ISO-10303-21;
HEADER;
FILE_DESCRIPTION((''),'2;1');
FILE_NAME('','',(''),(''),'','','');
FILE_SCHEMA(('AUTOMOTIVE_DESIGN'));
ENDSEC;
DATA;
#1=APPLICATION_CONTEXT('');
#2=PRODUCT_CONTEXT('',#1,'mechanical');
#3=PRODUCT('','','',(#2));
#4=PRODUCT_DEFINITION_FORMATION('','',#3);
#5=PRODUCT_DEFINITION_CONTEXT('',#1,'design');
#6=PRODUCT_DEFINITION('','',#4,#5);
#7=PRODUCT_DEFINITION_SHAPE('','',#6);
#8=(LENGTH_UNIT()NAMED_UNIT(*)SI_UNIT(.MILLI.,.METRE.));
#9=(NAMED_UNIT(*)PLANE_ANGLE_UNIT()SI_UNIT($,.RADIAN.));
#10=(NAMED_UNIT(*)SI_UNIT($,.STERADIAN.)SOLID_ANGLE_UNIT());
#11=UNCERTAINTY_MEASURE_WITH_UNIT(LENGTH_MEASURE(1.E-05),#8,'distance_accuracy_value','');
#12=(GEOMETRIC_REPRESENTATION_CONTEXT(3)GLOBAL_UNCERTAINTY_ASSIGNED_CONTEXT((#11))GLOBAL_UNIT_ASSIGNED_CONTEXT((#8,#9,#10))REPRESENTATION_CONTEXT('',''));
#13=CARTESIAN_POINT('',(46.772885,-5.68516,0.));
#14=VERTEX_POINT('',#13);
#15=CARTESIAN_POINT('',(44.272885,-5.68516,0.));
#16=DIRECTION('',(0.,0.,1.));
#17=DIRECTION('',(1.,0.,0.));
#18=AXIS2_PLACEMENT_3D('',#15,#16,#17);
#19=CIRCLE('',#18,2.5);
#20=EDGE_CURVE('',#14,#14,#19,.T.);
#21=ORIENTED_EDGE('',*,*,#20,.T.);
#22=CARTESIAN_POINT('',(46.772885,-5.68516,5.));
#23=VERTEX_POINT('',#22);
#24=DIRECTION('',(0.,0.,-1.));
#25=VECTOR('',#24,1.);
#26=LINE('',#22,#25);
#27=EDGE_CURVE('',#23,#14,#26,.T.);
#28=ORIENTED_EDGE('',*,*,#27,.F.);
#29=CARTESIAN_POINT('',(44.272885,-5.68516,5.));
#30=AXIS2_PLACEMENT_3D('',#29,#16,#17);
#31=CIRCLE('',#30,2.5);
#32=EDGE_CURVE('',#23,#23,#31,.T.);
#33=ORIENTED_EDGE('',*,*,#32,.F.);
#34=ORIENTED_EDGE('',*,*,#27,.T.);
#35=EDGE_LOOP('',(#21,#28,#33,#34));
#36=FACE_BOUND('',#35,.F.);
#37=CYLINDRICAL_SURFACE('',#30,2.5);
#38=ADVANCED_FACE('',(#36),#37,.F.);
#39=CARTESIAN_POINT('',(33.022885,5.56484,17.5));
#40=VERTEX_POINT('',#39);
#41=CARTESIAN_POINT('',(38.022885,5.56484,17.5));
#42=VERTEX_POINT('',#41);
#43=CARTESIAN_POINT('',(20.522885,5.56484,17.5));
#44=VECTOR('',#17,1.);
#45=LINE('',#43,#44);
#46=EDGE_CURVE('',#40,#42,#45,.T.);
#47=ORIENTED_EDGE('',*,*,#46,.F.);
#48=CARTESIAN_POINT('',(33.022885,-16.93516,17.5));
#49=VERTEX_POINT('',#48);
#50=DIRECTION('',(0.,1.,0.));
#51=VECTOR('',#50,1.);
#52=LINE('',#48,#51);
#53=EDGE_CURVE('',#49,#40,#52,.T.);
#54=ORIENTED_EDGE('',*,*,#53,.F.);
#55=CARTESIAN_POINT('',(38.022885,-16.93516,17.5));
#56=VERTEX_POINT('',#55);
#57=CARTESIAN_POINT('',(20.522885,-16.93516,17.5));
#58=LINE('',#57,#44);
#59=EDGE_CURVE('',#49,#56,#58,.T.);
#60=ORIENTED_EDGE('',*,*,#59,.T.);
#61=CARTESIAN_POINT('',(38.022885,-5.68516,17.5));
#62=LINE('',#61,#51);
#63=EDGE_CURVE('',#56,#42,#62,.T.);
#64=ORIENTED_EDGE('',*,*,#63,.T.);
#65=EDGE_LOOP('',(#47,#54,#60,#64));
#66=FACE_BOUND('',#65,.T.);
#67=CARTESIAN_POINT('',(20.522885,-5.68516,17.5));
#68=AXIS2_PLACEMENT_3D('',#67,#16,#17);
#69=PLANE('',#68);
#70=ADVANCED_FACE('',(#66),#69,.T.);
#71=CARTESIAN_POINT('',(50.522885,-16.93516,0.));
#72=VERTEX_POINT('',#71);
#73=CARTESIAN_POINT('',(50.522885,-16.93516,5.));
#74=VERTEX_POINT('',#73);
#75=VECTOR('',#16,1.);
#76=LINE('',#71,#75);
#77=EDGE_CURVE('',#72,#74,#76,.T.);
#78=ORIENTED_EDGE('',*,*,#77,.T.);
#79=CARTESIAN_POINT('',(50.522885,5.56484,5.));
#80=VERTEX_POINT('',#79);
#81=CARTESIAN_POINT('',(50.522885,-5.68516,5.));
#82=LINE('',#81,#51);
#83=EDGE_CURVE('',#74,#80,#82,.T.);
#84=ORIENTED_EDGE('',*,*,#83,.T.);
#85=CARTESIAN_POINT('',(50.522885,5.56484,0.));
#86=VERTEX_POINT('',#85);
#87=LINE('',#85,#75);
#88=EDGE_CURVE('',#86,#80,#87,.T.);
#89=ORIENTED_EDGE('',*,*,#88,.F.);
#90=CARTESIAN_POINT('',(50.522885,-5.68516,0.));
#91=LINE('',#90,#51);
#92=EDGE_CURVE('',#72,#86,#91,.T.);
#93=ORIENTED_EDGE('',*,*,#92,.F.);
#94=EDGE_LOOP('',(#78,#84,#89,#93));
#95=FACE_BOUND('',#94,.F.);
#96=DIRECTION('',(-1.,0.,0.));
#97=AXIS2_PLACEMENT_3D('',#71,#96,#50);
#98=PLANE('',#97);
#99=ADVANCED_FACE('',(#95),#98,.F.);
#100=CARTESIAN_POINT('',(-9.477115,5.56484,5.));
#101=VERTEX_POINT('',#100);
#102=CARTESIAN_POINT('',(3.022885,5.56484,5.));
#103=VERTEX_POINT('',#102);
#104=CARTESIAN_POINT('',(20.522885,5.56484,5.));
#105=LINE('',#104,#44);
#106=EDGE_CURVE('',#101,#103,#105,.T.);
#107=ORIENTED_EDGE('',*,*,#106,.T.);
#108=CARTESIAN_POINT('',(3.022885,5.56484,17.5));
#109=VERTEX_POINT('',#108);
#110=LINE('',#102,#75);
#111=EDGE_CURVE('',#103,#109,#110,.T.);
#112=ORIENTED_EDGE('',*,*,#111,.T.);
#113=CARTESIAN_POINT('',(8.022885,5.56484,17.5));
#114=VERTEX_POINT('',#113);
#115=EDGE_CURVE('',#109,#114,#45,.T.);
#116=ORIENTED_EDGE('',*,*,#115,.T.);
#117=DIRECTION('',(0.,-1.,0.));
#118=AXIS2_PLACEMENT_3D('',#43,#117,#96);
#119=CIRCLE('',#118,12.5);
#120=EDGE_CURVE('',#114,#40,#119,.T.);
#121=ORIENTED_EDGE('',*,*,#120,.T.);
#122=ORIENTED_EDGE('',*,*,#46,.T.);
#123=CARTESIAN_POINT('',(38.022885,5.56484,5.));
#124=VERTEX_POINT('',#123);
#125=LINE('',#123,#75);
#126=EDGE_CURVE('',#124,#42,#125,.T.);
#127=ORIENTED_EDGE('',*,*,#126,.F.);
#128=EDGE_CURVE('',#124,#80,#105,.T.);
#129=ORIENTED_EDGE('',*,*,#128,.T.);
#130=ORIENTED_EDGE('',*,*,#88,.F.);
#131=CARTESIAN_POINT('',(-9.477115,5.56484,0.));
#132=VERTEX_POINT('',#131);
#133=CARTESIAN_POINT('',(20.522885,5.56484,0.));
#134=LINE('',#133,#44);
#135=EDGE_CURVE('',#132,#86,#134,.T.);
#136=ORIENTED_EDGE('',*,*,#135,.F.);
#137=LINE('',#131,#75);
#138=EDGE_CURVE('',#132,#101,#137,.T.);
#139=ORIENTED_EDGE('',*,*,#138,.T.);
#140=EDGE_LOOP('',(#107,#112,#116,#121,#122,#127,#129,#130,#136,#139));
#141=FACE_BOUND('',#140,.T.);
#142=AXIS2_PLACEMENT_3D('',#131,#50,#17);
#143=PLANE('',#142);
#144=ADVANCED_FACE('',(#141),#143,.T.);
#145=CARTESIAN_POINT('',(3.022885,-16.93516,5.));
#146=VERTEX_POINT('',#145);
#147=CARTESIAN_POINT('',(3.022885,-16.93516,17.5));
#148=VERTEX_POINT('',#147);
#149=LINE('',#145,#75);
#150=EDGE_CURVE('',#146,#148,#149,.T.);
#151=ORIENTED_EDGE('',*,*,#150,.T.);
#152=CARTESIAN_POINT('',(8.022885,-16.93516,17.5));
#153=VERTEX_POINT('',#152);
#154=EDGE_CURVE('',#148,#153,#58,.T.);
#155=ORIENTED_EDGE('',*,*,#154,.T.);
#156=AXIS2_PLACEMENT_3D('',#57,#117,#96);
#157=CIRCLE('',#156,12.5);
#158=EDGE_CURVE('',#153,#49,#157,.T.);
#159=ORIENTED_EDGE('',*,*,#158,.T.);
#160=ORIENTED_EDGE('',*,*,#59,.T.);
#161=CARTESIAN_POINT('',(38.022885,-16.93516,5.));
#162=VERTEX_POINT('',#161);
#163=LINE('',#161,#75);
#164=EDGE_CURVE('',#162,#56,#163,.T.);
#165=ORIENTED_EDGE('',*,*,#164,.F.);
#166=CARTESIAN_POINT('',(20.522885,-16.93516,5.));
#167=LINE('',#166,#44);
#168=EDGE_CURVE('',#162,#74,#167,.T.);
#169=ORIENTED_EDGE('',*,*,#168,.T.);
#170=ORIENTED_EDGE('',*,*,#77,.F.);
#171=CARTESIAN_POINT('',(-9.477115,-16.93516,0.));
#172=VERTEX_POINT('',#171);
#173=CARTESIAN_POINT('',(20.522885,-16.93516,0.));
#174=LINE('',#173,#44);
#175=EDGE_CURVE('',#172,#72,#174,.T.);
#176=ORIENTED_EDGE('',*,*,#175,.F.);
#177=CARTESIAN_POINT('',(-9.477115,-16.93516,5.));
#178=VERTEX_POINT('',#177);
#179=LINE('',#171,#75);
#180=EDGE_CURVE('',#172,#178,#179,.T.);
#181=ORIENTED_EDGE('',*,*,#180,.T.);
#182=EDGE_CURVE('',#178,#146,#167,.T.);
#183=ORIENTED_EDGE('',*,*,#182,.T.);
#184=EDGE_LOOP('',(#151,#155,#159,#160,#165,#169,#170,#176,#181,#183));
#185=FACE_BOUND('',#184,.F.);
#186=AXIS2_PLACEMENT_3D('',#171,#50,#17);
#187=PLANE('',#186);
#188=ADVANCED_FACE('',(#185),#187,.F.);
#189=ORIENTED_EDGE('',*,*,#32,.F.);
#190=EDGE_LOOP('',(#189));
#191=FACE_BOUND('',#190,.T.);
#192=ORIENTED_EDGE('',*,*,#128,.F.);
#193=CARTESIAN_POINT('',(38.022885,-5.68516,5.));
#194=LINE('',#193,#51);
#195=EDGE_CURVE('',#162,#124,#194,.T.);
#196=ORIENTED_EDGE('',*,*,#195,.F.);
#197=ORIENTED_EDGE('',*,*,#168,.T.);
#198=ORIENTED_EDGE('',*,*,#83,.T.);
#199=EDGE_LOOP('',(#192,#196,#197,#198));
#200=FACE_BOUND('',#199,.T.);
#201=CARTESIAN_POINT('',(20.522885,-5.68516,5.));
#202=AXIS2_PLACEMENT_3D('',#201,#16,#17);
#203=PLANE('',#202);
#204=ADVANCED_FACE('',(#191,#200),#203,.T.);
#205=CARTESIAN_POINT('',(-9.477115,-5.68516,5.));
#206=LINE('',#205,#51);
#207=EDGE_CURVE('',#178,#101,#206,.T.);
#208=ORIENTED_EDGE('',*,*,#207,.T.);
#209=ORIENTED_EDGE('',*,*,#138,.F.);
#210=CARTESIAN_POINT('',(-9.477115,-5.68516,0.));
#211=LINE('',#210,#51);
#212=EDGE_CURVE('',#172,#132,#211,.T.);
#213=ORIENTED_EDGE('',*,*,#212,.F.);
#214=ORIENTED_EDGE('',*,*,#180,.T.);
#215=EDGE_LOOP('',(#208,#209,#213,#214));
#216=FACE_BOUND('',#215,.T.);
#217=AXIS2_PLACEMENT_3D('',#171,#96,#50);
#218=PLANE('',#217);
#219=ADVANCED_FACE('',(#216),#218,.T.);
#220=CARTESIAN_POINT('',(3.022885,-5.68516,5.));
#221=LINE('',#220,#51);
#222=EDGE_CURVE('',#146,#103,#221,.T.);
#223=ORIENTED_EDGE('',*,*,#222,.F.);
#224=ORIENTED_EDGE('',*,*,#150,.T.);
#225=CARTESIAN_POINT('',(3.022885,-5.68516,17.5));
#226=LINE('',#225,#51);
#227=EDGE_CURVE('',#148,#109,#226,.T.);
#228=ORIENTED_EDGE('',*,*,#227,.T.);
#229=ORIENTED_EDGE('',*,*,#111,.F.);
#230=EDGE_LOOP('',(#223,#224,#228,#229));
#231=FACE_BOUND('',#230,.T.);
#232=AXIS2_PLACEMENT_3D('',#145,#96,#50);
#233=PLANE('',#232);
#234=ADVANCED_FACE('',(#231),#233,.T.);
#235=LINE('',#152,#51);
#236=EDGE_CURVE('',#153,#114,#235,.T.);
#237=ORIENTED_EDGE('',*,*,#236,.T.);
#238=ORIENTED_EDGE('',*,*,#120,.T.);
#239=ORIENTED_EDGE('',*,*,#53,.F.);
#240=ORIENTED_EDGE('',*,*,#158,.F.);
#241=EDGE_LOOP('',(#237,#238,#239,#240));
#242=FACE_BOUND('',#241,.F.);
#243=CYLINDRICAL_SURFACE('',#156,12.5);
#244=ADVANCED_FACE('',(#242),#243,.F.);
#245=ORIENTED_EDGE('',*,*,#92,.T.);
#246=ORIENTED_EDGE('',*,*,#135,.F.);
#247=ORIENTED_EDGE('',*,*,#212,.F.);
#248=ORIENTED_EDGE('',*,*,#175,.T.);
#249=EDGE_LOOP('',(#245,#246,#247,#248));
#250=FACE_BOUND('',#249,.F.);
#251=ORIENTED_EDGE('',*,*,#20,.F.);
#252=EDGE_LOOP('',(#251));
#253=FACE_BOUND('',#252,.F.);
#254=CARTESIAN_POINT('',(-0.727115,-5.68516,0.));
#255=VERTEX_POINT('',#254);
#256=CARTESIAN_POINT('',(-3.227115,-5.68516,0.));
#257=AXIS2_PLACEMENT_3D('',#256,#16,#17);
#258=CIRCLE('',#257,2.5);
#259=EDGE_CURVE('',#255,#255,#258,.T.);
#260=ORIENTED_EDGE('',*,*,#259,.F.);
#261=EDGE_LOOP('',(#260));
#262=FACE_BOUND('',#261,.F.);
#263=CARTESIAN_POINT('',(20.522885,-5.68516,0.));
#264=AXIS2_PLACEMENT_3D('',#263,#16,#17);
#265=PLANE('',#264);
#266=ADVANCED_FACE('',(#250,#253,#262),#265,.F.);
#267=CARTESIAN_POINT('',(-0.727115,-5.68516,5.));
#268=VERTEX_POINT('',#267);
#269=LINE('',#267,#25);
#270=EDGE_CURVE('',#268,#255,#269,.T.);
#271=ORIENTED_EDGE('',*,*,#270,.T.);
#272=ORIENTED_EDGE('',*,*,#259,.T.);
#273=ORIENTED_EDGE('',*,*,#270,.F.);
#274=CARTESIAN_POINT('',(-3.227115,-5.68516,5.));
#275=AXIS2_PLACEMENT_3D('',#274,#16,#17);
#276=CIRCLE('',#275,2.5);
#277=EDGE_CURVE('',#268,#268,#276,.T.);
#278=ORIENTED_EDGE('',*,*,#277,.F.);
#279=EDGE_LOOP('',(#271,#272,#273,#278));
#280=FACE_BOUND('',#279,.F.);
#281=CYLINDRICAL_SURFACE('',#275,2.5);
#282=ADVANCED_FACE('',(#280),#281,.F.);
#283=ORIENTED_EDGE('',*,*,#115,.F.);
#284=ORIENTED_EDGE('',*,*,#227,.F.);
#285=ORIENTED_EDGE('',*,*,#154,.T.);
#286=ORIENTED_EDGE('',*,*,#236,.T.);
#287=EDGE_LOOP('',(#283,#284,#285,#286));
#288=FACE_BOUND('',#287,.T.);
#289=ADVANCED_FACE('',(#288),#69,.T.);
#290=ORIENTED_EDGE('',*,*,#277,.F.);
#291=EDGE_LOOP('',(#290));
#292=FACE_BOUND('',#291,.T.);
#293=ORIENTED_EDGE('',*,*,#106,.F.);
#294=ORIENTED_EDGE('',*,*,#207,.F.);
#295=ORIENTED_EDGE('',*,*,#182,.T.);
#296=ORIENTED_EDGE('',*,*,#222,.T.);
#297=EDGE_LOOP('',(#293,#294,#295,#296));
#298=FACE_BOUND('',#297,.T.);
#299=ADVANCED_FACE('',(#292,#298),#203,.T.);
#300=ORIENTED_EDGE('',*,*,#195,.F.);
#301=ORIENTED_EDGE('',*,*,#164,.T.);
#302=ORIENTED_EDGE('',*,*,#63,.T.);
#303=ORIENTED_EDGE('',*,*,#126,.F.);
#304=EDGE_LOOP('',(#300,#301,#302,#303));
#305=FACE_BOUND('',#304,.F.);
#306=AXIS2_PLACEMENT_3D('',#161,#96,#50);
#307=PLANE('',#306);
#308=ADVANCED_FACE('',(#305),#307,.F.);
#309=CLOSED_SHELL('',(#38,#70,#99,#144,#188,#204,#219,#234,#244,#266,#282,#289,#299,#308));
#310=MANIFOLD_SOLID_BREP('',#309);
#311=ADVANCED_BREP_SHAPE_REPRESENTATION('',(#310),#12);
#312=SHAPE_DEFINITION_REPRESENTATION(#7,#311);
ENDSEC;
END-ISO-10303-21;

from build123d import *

# Parameters (mm, degrees)
F0_W     = 60
F0_H     = 22.5
F1_DEPTH = 5
F2_W     = 35
F2_H     = 22.5
F3_DEPTH = 12.5
F5_DEPTH = 22.501
F6_R     = 2.5
F8_DEPTH = 5.001
F7_R     = 2.5
F9_DEPTH = 5.001


with BuildPart() as f1:
    # F0 (on Top) → F1 (new body)
    with BuildSketch(Plane.XY):
        with Locations((20.5228848614, -5.6851599365)):
            Rectangle(F0_W, F0_H)
    extrude(amount=F1_DEPTH)

    # F2 (on face) → F3 (join)
    with BuildSketch(Plane.XY.offset(5)):
        with Locations((20.5228848614, -5.6851599365)):
            Rectangle(F2_W, F2_H)
    extrude(amount=F3_DEPTH)

    # F4 (on face) → F5 (cut, through all)
    with BuildSketch(Plane.XZ.offset(16.9351599365)):
        with BuildLine():
            ThreePointArc((8.0228848614, 17.5), (20.5228848614, 5), (33.0228848614, 17.5))
            Line((33.0228848614, 17.5), (8.0228848614, 17.5))
        make_face()
    extrude(amount=-F5_DEPTH, mode=Mode.SUBTRACT)

    # F6 (on face) → F8 (cut, through all)
    with BuildSketch(Plane.XY.offset(5)):
        with Locations((44.2728848614, -5.6851599365)):
            Circle(F6_R)
    extrude(amount=-F8_DEPTH, mode=Mode.SUBTRACT)

    # F7 (on face) → F9 (cut, through all)
    with BuildSketch(Plane.XY.offset(5)):
        with Locations((-3.2271151386, -5.6851599365)):
            Circle(F7_R)
    extrude(amount=-F9_DEPTH, mode=Mode.SUBTRACT)


solid = f1.part
